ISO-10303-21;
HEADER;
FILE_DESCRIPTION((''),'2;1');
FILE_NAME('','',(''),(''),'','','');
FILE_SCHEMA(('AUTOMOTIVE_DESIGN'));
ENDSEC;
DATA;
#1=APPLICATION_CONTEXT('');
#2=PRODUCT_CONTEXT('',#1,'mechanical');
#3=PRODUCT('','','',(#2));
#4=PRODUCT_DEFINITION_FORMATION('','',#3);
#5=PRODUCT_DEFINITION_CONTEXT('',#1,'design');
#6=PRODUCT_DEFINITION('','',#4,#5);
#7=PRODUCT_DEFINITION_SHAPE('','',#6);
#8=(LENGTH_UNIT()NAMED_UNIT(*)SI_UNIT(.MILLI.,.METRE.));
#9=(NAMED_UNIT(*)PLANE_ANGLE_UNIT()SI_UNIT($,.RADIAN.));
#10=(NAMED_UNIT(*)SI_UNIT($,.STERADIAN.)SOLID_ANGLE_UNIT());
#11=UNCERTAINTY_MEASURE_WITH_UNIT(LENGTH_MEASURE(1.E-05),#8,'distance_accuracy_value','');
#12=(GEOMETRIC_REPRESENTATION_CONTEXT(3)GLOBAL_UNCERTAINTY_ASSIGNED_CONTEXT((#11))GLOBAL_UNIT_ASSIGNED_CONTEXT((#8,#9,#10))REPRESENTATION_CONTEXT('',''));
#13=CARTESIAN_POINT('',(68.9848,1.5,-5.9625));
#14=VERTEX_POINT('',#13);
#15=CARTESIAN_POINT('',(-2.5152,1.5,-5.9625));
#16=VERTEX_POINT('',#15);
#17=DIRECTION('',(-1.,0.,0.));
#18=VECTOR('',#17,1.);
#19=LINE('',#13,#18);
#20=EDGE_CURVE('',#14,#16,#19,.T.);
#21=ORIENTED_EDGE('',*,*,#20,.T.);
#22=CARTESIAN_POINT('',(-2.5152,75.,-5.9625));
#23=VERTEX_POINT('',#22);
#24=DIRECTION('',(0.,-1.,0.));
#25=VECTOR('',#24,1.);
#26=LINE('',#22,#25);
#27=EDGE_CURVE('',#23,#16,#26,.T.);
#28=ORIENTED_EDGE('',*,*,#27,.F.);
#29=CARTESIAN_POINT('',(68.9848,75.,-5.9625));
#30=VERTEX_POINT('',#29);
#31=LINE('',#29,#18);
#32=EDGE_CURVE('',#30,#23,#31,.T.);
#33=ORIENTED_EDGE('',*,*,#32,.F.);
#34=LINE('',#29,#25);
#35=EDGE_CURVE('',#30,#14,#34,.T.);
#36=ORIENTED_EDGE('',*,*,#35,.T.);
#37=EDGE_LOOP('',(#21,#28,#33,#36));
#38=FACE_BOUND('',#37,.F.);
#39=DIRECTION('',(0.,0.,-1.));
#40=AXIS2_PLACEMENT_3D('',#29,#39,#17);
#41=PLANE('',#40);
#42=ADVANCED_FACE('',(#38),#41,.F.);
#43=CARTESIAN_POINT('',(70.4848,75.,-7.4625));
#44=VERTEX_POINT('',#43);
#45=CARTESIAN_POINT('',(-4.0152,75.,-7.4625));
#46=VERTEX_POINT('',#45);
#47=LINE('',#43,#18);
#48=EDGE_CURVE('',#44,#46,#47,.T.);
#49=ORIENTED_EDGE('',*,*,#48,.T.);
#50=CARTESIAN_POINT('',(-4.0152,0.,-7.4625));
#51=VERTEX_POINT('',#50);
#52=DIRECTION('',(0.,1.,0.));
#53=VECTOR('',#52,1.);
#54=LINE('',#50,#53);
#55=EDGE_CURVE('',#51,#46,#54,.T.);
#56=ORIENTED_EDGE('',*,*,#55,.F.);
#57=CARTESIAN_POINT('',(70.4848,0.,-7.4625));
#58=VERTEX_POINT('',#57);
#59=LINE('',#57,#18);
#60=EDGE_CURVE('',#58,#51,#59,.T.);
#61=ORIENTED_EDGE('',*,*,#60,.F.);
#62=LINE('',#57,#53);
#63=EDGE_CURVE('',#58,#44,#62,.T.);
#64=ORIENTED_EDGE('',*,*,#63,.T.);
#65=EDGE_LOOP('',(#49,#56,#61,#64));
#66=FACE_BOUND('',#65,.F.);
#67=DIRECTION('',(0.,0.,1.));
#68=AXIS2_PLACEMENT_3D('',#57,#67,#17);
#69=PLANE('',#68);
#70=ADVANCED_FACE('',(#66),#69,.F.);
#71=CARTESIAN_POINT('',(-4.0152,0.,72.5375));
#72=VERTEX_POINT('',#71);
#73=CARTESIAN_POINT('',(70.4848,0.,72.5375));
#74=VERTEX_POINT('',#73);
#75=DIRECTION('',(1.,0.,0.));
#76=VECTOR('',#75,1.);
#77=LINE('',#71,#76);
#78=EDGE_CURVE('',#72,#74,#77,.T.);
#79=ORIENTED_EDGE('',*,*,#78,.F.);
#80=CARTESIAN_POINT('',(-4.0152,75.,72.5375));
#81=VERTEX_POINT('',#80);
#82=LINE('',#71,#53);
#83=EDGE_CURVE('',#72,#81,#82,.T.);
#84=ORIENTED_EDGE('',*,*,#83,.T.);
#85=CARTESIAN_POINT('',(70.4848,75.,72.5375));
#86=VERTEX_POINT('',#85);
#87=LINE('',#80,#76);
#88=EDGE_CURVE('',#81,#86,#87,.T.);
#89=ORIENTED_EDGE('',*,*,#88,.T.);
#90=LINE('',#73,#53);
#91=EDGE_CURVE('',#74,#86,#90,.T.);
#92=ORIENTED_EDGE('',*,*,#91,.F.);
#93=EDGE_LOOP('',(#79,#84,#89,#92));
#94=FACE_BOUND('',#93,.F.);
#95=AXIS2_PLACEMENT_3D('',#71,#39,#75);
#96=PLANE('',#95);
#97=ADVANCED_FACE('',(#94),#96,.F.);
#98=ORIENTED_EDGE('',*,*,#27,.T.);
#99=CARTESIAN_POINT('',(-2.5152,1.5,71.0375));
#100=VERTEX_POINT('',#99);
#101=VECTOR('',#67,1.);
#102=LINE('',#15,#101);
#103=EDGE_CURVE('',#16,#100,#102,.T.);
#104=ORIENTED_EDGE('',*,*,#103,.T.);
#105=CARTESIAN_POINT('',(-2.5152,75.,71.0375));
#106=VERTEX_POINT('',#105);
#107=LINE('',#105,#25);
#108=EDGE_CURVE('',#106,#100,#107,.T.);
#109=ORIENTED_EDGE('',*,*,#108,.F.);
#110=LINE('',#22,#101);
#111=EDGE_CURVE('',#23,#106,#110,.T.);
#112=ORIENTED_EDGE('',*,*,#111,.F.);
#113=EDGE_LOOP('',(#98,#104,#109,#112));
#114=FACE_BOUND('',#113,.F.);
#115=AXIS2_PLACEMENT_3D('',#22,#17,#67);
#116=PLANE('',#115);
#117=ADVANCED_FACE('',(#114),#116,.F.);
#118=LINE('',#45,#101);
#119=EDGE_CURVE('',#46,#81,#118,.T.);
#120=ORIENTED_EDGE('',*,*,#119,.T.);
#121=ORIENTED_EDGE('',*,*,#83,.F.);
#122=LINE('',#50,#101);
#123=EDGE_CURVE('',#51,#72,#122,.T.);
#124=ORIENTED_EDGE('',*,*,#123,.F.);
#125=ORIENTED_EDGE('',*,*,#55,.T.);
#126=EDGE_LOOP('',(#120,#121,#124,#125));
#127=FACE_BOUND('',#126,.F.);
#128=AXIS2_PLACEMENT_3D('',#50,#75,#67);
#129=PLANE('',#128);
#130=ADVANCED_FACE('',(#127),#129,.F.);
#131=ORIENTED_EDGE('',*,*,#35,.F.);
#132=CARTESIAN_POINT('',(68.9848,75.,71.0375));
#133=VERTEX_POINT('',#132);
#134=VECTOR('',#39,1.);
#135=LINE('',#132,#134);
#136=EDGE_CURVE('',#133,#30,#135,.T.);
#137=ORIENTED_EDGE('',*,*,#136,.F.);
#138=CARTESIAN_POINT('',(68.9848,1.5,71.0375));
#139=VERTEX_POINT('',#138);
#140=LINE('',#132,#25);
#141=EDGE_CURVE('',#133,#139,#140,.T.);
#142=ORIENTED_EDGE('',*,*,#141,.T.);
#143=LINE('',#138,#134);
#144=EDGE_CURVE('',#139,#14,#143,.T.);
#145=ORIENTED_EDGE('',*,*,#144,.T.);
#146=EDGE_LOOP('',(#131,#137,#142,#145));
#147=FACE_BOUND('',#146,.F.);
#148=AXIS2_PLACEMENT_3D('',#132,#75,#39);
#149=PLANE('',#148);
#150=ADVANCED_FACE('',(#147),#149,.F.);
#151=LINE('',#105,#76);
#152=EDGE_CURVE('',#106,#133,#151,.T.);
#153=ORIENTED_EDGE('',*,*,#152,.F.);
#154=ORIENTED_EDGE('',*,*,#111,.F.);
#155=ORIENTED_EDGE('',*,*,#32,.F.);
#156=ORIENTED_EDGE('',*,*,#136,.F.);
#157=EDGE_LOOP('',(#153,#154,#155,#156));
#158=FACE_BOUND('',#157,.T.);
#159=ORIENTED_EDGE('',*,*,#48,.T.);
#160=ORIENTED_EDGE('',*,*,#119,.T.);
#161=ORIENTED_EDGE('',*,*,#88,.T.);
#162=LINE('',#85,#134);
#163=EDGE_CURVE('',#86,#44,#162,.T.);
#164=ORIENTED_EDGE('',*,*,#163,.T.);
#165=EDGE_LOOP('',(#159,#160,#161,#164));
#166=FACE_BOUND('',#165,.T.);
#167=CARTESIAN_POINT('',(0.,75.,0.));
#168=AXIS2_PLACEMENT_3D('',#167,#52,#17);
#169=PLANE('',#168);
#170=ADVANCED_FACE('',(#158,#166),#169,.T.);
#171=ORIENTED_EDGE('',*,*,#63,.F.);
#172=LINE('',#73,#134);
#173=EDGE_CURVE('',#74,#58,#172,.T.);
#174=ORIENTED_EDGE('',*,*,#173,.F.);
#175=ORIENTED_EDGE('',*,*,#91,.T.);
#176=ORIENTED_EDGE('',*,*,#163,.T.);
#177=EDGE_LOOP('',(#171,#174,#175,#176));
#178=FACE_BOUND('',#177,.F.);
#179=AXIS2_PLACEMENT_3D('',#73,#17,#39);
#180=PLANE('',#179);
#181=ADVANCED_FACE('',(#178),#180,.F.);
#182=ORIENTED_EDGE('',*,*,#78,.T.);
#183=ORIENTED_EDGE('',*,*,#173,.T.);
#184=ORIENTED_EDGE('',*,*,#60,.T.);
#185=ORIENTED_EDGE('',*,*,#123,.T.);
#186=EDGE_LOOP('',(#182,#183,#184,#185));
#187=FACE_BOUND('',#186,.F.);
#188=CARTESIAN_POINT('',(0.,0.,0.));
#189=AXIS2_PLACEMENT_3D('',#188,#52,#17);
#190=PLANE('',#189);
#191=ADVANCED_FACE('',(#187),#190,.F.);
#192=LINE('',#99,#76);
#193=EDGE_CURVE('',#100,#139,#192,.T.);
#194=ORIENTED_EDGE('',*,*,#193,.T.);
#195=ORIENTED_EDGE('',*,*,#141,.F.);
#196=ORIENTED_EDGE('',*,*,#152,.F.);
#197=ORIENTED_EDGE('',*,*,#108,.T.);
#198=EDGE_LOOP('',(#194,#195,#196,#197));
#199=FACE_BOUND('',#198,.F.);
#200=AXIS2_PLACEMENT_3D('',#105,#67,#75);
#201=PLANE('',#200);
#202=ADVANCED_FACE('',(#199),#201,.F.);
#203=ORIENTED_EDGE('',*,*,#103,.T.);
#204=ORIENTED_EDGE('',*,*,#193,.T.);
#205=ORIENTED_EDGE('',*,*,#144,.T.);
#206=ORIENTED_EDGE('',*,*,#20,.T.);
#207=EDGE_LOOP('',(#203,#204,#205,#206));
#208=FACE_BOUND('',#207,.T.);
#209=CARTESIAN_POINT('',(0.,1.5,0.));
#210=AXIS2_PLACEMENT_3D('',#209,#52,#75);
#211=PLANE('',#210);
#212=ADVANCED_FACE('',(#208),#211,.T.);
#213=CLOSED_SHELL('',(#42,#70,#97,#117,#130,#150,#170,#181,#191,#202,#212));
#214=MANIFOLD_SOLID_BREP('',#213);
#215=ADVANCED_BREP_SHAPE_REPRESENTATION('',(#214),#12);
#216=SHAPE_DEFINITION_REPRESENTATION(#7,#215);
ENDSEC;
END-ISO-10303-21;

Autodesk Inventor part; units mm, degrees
ref_plane "YZ Plane" through (0, 0, 0) normal (1, 0, 0) x (0, 1, 0)
ref_plane "XZ Plane" through (0, 0, 0) normal (0, 1, 0) x (-1, 0, 0)
ref_plane "XY Plane" through (0, 0, 0) normal (0, 0, 1) x (1, 0, 0)
sketch "Sketch1" plane through (0, 0, 0) normal (0, 1, 0) x (-1, 0, 0)
  line L0 (4.0152, 72.5375) -> (-70.4848, 72.5375)
  line L1 (-70.4848, 72.5375) -> (-70.4848, -7.4625)
  line L2 (-70.4848, -7.4625) -> (4.0152, -7.4625)
  line L3 (4.0152, -7.4625) -> (4.0152, 72.5375)
  point P0 (0, 0)
  dimension "d0" = 74.5
  dimension "d1" = 80
extrude "Extrusion1" add sketch "Sketch1" along normal blind 75
sketch "Sketch2" plane through (0, 75, 0) normal (0, 1, 0) x (1, 0, 0)
  line L0 (-2.5152, -71.0375) -> (68.9848, -71.0375)
  line L1 (68.9848, -71.0375) -> (68.9848, 5.9625)
  line L2 (68.9848, 5.9625) -> (-2.5152, 5.9625)
  line L3 (-2.5152, 5.9625) -> (-2.5152, -71.0375)
  line L4 (-4.0152, 7.4625) -> (-4.0152, -72.5375) projected
  line L5 (70.4848, 7.4625) -> (-4.0152, 7.4625) projected
  line L6 (-4.0152, -72.5375) -> (70.4848, -72.5375) projected
  line L7 (70.4848, -72.5375) -> (70.4848, 7.4625) projected
  point P0 (0, 0)
  dimension "d4" = 1.5
  dimension "d5" = 1.5
  dimension "d6" = 1.5
  dimension "d7" = 1.5
extrude "Extrusion2" cut sketch "Sketch2" against normal blind 73.5 contours L3 L2 L1 L0
equation "\"d5\" = d4"
equation "\"d6\" = d4"
equation "\"d7\" = d4"
properties part number "_3DPrint"
